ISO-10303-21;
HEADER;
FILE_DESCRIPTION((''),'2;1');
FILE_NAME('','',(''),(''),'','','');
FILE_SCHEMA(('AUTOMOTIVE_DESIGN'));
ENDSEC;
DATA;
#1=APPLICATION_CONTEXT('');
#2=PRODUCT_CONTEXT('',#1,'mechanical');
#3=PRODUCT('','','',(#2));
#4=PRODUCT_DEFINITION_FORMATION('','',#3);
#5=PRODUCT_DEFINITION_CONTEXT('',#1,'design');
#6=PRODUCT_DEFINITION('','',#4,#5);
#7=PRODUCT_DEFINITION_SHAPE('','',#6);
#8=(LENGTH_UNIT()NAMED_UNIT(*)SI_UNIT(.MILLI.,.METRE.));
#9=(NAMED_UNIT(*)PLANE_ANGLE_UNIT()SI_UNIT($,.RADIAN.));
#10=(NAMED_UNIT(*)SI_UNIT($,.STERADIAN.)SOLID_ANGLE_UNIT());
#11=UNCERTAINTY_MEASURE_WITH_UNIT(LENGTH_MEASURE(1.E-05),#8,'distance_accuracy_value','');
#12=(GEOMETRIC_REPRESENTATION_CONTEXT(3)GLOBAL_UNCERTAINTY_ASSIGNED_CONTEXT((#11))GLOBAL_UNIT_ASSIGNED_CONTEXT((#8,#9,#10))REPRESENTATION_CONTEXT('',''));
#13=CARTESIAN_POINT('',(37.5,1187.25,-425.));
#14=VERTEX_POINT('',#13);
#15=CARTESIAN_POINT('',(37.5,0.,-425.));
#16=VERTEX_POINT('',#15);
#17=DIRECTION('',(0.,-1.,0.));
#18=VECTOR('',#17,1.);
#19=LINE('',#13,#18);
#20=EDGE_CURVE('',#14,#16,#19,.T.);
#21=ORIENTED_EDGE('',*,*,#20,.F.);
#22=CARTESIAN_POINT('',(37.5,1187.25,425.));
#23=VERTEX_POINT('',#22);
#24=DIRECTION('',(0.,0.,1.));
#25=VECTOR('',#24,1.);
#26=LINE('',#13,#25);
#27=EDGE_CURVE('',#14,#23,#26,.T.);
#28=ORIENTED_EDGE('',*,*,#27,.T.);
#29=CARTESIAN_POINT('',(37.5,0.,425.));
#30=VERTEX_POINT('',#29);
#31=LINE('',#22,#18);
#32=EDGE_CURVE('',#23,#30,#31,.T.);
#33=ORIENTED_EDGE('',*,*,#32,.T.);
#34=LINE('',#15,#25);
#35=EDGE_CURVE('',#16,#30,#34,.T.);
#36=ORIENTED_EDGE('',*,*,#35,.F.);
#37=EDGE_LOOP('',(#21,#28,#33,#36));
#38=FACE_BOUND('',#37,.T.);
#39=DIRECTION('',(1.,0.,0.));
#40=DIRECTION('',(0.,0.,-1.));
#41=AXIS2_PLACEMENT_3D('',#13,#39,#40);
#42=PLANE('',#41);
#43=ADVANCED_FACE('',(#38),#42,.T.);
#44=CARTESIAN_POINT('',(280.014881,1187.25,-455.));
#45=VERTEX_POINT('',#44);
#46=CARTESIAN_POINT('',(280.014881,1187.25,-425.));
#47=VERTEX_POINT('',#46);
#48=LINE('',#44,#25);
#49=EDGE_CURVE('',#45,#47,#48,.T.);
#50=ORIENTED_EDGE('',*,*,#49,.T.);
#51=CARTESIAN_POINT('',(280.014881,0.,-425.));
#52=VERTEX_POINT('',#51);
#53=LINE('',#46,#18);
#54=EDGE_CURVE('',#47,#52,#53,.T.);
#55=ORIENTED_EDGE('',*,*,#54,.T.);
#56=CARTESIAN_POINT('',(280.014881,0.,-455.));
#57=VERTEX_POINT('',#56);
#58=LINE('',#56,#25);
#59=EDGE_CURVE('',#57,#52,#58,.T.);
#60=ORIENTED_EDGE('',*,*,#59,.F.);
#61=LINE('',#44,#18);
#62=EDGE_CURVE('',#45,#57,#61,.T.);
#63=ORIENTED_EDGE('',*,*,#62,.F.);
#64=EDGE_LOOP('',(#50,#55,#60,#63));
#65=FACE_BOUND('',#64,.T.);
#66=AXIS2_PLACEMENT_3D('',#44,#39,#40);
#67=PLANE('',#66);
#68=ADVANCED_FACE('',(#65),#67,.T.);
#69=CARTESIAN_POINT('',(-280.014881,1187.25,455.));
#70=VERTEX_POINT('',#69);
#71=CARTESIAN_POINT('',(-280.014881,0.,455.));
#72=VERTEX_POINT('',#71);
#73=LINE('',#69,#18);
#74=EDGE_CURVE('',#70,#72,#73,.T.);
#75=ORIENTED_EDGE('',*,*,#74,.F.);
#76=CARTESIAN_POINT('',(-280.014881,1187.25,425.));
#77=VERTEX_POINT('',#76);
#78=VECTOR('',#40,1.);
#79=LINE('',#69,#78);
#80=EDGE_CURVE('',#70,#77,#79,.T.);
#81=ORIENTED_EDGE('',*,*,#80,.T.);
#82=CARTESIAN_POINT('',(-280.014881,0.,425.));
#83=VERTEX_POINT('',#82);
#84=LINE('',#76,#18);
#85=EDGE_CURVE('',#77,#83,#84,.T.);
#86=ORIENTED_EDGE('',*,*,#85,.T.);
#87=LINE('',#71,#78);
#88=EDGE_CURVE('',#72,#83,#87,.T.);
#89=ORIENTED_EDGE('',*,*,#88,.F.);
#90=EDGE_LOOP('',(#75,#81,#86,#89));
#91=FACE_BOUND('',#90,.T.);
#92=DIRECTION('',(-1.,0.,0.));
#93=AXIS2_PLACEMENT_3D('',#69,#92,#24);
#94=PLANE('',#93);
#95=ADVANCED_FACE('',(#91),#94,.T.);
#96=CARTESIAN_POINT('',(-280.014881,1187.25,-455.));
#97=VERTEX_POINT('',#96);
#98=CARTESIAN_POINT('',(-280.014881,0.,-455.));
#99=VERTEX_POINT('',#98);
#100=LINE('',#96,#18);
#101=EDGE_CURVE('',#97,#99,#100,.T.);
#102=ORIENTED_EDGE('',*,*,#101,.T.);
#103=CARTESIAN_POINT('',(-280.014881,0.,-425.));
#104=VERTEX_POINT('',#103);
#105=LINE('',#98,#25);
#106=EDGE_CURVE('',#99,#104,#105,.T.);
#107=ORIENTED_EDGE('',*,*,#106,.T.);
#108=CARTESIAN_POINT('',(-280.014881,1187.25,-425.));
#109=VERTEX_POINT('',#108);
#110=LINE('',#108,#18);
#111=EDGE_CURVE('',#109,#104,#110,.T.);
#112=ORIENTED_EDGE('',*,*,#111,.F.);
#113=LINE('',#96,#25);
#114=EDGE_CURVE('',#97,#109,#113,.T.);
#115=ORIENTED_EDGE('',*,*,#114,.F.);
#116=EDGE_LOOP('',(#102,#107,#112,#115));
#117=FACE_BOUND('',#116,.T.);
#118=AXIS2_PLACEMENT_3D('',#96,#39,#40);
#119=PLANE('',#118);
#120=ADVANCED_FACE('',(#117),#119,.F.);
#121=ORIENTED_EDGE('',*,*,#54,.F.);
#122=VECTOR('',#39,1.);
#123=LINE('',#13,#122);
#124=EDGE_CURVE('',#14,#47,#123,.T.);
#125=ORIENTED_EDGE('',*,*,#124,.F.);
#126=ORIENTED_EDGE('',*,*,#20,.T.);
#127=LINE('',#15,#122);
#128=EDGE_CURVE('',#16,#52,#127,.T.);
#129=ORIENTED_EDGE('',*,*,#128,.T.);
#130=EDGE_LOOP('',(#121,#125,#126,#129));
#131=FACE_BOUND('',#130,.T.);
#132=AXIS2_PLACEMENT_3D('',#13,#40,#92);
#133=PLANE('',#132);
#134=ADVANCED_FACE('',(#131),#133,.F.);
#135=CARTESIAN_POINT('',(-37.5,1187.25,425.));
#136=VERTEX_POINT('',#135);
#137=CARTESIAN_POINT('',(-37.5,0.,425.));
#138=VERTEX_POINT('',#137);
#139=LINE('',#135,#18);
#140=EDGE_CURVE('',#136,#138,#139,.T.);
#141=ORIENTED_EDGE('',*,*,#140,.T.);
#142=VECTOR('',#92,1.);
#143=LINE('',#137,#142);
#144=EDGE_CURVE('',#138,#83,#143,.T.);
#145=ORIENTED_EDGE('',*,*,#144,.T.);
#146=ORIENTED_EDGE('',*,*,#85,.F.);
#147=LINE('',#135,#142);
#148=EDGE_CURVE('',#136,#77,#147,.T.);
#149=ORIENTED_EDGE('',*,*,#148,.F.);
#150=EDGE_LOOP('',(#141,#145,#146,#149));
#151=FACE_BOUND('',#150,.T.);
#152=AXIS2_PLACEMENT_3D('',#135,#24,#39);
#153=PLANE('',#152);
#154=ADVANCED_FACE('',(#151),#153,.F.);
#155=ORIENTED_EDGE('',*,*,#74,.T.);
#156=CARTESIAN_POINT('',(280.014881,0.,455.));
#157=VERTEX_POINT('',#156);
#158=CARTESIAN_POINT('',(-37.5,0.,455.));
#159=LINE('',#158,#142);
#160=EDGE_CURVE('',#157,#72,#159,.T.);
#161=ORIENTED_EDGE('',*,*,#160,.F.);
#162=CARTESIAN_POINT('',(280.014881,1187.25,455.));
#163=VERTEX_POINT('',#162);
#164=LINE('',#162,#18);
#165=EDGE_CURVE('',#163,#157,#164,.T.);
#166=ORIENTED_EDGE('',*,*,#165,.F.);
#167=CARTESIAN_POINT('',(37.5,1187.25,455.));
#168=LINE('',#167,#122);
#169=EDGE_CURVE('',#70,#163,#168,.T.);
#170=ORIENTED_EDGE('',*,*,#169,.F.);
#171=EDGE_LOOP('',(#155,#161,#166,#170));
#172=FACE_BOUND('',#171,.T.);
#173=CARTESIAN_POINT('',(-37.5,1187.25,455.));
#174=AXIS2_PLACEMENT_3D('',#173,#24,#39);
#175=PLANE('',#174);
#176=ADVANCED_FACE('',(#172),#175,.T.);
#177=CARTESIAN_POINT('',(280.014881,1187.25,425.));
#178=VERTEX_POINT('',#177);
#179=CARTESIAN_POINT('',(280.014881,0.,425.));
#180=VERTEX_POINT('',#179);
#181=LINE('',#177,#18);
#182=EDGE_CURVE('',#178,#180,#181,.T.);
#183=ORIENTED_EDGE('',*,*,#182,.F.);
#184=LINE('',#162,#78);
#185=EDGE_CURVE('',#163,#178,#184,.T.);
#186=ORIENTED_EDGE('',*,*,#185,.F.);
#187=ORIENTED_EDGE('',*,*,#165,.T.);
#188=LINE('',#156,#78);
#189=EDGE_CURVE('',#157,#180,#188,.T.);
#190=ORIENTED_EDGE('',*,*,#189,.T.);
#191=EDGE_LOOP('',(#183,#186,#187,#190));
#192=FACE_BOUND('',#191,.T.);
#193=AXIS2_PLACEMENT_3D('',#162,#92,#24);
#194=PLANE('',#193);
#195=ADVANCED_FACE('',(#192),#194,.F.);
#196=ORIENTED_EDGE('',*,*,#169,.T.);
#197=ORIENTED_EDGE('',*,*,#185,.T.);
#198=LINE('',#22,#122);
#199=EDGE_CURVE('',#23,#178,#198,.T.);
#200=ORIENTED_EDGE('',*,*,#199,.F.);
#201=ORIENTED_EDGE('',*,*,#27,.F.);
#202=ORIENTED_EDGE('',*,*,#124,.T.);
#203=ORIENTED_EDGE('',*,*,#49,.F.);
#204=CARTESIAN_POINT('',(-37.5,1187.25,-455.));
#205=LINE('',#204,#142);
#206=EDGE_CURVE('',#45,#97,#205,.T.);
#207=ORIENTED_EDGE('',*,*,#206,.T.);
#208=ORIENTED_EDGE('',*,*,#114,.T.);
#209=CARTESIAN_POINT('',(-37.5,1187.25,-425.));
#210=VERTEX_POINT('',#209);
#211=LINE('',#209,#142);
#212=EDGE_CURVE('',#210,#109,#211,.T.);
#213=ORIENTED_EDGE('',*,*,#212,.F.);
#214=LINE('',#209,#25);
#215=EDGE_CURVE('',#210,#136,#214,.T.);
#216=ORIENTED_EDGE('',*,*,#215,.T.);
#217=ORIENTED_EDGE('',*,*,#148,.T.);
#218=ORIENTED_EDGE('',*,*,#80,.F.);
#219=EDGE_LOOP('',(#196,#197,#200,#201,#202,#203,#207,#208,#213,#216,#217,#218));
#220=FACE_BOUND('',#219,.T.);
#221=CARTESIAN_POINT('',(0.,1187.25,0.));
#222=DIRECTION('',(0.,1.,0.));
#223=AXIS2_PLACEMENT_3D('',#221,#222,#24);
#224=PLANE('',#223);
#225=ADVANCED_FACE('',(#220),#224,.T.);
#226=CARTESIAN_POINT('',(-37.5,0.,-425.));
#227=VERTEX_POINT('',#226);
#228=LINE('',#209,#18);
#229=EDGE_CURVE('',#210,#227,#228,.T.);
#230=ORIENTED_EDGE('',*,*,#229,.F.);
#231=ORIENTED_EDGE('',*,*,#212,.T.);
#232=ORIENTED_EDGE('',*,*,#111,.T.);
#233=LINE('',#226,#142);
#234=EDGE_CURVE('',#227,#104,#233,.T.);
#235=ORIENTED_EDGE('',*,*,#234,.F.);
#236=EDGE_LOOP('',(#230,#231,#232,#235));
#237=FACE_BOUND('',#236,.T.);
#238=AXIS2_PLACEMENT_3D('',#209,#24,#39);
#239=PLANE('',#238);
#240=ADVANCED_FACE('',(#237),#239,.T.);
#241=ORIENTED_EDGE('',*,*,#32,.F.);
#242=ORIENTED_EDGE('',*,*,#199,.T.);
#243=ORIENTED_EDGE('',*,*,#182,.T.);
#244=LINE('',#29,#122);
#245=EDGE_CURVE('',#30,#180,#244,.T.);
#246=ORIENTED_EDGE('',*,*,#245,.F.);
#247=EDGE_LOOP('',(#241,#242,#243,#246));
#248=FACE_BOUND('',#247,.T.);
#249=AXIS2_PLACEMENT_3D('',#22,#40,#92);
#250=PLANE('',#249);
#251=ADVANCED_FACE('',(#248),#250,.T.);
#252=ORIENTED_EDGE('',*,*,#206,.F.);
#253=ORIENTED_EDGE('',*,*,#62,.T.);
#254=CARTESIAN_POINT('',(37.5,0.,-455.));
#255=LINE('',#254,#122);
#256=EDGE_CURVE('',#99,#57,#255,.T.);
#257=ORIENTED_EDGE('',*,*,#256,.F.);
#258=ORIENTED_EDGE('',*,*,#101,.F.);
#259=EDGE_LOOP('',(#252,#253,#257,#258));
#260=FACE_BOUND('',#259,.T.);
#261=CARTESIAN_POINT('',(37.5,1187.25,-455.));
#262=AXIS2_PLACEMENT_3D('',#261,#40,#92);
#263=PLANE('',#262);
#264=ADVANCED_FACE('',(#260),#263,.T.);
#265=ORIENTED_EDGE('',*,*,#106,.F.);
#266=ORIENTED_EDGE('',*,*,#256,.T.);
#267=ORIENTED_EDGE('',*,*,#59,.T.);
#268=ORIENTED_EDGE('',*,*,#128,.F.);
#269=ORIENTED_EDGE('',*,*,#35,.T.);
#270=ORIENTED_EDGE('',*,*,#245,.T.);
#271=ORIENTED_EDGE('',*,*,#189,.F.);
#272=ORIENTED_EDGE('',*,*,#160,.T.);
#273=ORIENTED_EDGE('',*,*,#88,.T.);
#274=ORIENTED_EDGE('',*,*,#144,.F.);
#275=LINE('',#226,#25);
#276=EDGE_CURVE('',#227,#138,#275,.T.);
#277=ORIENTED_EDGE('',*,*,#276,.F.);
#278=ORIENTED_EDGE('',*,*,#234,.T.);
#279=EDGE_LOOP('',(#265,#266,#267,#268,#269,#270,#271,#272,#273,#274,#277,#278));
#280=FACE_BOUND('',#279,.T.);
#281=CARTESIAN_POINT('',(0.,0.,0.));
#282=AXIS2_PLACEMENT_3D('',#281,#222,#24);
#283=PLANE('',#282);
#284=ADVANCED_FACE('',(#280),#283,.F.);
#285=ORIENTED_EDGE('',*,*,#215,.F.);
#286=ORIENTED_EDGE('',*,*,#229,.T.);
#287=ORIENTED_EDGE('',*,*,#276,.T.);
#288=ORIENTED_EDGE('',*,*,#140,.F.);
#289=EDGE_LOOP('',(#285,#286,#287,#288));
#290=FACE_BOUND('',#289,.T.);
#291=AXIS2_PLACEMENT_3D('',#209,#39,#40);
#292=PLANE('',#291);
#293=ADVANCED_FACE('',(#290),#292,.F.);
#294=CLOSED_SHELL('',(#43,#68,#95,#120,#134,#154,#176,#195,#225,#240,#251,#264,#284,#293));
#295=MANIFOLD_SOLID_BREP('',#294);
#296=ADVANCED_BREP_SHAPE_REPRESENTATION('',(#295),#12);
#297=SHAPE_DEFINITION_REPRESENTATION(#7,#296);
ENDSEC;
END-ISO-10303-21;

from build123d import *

# Parameters (mm, degrees)
BOSS_EXTRUDE2_DEPTH = 1187.25


with BuildPart() as part:
    # Sketch1 → Boss-Extrude2 (new body)
    with BuildSketch(Plane(origin=(0, 0, 0), x_dir=(1, 0, 0), z_dir=(0, 1, 0))):
        Polygon((-37.5, 455), (37.5, 455), (280.014880557, 455), (280.014880557, 425), (37.5, 425), (37.5, -425), (280.014880557, -425), (280.014880557, -455), (37.5, -455), (-37.5, -455), (-280.014880557, -455), (-280.014880557, -425), (-37.5, -425), (-37.5, 425), (-280.014880557, 425), (-280.014880557, 455), align=None)
    extrude(amount=BOSS_EXTRUDE2_DEPTH)


solid = part.part
